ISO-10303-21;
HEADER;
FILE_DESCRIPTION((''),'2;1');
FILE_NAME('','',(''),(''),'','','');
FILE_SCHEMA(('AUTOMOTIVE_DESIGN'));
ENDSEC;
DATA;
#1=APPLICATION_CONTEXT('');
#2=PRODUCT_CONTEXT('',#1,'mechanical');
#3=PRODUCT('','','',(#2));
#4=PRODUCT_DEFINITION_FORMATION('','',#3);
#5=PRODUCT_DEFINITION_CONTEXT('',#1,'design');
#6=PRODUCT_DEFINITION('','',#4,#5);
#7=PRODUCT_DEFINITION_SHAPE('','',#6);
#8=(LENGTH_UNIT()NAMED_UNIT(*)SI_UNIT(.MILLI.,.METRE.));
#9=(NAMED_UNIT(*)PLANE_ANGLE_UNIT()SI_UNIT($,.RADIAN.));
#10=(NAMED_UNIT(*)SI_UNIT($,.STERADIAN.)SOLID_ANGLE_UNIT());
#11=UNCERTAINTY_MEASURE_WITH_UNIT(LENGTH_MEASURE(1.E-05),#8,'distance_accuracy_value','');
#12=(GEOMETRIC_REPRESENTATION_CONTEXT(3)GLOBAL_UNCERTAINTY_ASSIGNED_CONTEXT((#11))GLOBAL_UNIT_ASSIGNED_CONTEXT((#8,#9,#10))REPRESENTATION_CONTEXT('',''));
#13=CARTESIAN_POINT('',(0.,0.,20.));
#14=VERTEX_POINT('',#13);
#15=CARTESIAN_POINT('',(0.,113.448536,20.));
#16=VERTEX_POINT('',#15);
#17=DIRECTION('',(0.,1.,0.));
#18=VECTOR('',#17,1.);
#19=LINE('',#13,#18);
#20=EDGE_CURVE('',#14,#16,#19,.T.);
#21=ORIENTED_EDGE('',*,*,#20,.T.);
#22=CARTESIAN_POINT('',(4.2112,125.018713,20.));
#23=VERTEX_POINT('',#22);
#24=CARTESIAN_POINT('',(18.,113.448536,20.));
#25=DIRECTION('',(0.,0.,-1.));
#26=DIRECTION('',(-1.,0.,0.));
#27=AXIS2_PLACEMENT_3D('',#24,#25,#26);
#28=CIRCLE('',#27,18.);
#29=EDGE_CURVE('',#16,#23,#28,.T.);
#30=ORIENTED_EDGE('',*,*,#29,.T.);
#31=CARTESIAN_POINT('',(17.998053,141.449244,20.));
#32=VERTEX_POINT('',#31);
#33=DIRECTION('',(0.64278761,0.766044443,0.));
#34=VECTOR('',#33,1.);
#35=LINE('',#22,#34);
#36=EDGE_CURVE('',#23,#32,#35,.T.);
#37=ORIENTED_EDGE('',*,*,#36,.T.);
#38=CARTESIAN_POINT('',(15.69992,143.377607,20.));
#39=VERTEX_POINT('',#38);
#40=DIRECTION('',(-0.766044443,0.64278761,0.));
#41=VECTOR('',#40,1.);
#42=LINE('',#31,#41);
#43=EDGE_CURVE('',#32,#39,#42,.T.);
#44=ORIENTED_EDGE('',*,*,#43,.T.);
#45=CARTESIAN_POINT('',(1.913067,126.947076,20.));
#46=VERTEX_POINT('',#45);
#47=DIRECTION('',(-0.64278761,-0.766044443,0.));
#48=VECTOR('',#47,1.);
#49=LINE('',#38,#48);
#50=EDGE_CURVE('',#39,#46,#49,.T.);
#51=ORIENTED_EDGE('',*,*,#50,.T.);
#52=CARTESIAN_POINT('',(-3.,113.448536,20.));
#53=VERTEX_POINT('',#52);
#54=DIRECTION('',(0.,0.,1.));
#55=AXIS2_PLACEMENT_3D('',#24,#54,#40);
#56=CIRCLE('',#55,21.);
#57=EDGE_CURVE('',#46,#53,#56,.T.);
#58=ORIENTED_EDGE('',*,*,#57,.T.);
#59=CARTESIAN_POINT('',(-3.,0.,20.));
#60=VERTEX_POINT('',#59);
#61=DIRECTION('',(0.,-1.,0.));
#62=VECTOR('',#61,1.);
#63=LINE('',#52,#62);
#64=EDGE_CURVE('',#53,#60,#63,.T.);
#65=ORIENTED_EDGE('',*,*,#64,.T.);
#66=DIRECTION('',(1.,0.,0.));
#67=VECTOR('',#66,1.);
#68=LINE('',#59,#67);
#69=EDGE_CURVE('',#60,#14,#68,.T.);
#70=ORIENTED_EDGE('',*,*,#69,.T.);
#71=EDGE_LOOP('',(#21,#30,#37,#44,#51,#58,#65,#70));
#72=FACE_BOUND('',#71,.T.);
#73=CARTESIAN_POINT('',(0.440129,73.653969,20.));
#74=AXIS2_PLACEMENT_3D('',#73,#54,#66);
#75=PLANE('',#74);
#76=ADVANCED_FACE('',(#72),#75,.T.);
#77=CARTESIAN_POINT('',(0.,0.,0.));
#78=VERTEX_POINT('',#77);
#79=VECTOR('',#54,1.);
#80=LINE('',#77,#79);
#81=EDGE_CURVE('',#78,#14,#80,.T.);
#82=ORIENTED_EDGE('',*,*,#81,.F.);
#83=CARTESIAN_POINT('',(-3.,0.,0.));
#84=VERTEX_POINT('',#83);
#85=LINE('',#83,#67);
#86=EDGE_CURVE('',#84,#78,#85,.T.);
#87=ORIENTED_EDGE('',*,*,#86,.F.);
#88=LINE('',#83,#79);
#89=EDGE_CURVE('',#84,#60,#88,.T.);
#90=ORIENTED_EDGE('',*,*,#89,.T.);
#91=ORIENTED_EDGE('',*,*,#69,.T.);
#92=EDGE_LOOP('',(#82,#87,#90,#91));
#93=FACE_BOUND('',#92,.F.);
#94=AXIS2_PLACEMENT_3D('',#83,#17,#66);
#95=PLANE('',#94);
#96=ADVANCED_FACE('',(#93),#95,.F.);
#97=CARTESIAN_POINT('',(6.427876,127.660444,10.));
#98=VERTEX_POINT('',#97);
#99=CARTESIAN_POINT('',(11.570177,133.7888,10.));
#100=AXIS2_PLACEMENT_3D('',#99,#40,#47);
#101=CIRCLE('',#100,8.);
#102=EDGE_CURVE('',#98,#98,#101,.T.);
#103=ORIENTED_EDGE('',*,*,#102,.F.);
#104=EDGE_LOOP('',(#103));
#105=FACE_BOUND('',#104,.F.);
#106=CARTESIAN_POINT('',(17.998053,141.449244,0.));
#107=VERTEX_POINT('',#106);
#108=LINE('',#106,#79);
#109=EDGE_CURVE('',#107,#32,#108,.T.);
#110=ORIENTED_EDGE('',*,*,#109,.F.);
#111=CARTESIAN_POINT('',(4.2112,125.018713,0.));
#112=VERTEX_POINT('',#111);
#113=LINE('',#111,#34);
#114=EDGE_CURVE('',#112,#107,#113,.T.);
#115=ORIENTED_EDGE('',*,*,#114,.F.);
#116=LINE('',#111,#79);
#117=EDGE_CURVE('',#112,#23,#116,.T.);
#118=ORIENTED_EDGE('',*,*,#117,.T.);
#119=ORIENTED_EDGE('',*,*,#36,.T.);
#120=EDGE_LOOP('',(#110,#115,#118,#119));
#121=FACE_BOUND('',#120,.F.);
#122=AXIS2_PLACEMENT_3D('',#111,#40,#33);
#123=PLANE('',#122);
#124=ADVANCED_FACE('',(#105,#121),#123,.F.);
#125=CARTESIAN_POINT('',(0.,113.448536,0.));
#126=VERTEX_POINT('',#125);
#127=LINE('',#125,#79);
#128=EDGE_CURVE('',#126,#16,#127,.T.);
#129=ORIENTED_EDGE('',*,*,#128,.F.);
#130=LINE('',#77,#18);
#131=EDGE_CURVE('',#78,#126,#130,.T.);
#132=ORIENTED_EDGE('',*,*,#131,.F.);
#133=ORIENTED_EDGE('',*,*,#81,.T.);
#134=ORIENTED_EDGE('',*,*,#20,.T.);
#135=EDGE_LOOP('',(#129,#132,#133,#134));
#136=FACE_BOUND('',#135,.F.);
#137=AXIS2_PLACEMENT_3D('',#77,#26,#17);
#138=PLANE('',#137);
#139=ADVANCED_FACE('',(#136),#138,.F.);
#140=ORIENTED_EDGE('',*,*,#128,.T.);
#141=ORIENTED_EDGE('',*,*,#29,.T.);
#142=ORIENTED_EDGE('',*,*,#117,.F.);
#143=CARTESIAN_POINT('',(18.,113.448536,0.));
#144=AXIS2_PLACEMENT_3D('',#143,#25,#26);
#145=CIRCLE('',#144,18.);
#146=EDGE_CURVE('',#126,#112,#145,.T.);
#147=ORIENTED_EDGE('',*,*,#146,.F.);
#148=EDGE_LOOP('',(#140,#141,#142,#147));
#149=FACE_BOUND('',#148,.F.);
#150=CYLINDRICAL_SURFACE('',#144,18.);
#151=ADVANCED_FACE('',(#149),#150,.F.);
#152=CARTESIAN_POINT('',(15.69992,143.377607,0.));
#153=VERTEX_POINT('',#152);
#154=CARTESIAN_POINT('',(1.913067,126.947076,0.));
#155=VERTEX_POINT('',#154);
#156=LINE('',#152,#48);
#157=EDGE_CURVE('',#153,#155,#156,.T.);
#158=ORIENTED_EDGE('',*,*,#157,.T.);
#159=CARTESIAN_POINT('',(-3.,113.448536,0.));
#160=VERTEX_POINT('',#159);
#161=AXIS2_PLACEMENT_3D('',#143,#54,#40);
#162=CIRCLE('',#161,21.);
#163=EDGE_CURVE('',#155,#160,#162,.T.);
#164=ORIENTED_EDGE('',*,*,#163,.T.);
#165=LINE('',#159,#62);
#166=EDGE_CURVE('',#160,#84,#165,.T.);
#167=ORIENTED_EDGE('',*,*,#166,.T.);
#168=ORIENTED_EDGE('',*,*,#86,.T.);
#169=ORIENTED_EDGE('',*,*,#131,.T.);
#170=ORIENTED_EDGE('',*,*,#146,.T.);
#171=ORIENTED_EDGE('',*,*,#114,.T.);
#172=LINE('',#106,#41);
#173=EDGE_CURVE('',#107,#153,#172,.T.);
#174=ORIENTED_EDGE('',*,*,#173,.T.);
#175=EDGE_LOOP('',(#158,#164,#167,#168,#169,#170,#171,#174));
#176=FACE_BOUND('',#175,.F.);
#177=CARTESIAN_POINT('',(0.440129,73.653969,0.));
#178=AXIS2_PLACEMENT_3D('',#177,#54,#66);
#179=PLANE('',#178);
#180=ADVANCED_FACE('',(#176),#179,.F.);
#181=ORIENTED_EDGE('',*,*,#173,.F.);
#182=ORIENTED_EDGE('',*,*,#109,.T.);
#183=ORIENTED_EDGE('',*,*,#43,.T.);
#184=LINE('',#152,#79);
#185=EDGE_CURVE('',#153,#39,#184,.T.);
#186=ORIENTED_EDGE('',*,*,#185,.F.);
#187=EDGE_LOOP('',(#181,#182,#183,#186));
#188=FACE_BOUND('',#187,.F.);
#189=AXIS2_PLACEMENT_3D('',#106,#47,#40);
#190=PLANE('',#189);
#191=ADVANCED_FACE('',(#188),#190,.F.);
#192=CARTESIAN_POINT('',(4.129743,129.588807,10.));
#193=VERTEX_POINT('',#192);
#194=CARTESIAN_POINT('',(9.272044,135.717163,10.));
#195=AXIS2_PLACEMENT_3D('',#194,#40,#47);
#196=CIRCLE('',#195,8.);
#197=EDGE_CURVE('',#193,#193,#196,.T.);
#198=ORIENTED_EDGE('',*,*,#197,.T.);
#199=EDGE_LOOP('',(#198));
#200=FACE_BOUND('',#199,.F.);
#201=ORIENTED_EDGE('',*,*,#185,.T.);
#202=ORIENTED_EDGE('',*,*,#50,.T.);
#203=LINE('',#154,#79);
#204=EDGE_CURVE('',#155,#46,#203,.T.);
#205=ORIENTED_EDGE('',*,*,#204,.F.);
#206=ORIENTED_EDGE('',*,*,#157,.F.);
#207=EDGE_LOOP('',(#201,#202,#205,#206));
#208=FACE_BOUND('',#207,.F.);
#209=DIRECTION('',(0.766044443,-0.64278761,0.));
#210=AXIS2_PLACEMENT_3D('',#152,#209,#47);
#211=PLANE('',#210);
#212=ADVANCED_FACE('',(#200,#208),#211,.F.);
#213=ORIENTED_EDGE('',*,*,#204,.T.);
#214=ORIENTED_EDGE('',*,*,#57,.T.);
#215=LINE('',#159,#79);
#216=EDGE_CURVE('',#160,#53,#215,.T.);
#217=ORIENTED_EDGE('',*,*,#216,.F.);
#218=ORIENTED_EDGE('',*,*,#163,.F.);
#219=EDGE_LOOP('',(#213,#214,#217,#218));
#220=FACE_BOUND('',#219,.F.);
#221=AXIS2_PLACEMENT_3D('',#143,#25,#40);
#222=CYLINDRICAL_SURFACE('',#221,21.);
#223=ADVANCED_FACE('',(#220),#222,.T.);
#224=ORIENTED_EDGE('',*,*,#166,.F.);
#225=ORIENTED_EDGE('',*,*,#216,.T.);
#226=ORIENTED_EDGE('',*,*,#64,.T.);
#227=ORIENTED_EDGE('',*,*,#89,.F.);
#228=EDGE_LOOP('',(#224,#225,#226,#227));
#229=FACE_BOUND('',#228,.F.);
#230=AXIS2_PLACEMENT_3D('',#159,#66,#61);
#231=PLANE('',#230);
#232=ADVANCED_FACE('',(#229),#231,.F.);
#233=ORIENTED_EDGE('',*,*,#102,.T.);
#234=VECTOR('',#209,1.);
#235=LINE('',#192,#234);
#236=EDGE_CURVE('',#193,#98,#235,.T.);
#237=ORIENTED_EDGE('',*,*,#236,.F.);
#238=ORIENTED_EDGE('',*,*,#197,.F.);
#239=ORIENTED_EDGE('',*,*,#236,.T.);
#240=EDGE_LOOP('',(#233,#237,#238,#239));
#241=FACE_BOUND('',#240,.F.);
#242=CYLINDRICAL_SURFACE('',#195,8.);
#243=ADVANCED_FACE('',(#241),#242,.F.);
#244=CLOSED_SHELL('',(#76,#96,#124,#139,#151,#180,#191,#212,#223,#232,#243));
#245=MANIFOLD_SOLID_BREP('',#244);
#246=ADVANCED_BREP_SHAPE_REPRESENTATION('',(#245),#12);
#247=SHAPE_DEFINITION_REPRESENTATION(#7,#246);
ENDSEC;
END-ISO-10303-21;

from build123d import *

# Parameters (mm, degrees)
F1_DEPTH = 20
F2_R     = 8
F3_DEPTH = 4


with BuildPart() as f1:
    # F0 (on Top) → F1 (new body)
    with BuildSketch(Plane.XY):
        with BuildLine():
            Line((-3, 0), (0, 0))
            Line((0, 0), (0, 113.4485357832))
            ThreePointArc((0, 113.4485357832), (1.0855328259, 119.6048983631), (4.2112000239, 125.0187127576))
            Line((4.2112000239, 125.0187127576), (17.9980530712, 141.4492444073))
            Line((17.9980530712, 141.4492444073), (15.6999197419, 143.3776072364))
            Line((15.6999197419, 143.3776072364), (1.9130666945, 126.9470755866))
            ThreePointArc((1.9130666945, 126.9470755866), (-1.7335450365, 120.630958793), (-3, 113.4485357832))
            Line((-3, 113.4485357832), (-3, 0))
        make_face()
    extrude(amount=F1_DEPTH)

    # F2 (on face) → F3 (cut)
    with BuildSketch(Plane(origin=(-61.3865985101, 51.509472169, 0), x_dir=(-0.6427876097, -0.7660444431, 0), z_dir=(-0.7660444431, 0.6427876097, 0))):
        with Locations((-109.9253331743, 10)):
            Circle(F2_R)
    extrude(amount=-F3_DEPTH, mode=Mode.SUBTRACT)


solid = f1.part
